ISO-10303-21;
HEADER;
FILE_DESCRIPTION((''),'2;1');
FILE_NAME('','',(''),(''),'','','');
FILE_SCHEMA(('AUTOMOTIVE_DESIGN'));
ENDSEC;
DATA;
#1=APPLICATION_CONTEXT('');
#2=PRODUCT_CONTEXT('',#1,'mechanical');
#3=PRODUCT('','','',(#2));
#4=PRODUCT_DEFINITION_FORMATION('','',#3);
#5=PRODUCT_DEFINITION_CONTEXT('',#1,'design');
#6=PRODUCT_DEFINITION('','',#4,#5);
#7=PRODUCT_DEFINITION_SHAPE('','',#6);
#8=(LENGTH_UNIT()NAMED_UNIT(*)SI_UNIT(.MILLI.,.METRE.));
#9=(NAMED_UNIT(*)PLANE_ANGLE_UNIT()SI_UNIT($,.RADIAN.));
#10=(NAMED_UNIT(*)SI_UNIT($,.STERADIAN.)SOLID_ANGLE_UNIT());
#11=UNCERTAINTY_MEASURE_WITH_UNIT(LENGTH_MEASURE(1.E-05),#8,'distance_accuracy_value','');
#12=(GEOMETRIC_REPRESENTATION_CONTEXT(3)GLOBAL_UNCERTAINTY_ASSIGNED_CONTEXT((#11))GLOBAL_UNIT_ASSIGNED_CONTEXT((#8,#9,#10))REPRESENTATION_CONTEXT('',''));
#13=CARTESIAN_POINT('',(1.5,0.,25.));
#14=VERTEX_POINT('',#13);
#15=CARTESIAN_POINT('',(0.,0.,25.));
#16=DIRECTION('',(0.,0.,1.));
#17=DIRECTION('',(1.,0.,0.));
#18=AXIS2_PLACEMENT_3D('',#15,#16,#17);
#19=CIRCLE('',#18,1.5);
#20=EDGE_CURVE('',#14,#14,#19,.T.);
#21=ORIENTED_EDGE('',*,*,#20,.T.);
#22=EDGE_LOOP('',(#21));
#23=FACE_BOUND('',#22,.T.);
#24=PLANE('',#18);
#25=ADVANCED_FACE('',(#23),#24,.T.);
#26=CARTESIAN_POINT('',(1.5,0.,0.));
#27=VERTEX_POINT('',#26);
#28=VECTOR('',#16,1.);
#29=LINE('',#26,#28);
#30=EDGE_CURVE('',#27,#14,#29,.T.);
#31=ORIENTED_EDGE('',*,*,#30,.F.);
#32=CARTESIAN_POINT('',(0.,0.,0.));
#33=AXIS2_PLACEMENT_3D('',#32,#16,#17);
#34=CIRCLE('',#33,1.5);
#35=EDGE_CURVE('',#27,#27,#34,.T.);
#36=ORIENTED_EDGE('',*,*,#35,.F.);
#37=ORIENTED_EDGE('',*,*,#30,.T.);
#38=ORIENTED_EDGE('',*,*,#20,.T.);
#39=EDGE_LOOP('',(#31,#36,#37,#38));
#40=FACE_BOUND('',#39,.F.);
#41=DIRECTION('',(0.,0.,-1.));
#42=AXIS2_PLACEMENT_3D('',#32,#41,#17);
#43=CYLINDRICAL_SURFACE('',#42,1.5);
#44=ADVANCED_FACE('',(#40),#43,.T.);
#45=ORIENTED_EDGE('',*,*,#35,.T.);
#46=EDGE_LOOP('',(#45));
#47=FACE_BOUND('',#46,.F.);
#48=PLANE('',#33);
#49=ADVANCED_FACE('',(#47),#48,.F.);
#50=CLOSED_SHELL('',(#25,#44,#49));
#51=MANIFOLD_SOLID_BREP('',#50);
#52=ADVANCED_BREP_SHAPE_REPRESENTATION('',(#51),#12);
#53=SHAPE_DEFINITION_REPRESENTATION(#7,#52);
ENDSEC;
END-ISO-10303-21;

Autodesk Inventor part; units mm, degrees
ref_plane "YZ Plane" through (0, 0, 0) normal (1, 0, 0) x (0, 1, 0)
ref_plane "XZ Plane" through (0, 0, 0) normal (0, 1, 0) x (-1, 0, 0)
ref_plane "XY Plane" through (0, 0, 0) normal (0, 0, 1) x (1, 0, 0)
sketch "Sketch1" plane through (0, 0, 0) normal (0, 0, 1) x (1, 0, 0)
  circle A0 centre (0, 0) radius 1.5
  dimension "d0" = 3
extrude "Extrusion1" add sketch "Sketch1" along normal blind 25
properties part number "rod_3x44"
